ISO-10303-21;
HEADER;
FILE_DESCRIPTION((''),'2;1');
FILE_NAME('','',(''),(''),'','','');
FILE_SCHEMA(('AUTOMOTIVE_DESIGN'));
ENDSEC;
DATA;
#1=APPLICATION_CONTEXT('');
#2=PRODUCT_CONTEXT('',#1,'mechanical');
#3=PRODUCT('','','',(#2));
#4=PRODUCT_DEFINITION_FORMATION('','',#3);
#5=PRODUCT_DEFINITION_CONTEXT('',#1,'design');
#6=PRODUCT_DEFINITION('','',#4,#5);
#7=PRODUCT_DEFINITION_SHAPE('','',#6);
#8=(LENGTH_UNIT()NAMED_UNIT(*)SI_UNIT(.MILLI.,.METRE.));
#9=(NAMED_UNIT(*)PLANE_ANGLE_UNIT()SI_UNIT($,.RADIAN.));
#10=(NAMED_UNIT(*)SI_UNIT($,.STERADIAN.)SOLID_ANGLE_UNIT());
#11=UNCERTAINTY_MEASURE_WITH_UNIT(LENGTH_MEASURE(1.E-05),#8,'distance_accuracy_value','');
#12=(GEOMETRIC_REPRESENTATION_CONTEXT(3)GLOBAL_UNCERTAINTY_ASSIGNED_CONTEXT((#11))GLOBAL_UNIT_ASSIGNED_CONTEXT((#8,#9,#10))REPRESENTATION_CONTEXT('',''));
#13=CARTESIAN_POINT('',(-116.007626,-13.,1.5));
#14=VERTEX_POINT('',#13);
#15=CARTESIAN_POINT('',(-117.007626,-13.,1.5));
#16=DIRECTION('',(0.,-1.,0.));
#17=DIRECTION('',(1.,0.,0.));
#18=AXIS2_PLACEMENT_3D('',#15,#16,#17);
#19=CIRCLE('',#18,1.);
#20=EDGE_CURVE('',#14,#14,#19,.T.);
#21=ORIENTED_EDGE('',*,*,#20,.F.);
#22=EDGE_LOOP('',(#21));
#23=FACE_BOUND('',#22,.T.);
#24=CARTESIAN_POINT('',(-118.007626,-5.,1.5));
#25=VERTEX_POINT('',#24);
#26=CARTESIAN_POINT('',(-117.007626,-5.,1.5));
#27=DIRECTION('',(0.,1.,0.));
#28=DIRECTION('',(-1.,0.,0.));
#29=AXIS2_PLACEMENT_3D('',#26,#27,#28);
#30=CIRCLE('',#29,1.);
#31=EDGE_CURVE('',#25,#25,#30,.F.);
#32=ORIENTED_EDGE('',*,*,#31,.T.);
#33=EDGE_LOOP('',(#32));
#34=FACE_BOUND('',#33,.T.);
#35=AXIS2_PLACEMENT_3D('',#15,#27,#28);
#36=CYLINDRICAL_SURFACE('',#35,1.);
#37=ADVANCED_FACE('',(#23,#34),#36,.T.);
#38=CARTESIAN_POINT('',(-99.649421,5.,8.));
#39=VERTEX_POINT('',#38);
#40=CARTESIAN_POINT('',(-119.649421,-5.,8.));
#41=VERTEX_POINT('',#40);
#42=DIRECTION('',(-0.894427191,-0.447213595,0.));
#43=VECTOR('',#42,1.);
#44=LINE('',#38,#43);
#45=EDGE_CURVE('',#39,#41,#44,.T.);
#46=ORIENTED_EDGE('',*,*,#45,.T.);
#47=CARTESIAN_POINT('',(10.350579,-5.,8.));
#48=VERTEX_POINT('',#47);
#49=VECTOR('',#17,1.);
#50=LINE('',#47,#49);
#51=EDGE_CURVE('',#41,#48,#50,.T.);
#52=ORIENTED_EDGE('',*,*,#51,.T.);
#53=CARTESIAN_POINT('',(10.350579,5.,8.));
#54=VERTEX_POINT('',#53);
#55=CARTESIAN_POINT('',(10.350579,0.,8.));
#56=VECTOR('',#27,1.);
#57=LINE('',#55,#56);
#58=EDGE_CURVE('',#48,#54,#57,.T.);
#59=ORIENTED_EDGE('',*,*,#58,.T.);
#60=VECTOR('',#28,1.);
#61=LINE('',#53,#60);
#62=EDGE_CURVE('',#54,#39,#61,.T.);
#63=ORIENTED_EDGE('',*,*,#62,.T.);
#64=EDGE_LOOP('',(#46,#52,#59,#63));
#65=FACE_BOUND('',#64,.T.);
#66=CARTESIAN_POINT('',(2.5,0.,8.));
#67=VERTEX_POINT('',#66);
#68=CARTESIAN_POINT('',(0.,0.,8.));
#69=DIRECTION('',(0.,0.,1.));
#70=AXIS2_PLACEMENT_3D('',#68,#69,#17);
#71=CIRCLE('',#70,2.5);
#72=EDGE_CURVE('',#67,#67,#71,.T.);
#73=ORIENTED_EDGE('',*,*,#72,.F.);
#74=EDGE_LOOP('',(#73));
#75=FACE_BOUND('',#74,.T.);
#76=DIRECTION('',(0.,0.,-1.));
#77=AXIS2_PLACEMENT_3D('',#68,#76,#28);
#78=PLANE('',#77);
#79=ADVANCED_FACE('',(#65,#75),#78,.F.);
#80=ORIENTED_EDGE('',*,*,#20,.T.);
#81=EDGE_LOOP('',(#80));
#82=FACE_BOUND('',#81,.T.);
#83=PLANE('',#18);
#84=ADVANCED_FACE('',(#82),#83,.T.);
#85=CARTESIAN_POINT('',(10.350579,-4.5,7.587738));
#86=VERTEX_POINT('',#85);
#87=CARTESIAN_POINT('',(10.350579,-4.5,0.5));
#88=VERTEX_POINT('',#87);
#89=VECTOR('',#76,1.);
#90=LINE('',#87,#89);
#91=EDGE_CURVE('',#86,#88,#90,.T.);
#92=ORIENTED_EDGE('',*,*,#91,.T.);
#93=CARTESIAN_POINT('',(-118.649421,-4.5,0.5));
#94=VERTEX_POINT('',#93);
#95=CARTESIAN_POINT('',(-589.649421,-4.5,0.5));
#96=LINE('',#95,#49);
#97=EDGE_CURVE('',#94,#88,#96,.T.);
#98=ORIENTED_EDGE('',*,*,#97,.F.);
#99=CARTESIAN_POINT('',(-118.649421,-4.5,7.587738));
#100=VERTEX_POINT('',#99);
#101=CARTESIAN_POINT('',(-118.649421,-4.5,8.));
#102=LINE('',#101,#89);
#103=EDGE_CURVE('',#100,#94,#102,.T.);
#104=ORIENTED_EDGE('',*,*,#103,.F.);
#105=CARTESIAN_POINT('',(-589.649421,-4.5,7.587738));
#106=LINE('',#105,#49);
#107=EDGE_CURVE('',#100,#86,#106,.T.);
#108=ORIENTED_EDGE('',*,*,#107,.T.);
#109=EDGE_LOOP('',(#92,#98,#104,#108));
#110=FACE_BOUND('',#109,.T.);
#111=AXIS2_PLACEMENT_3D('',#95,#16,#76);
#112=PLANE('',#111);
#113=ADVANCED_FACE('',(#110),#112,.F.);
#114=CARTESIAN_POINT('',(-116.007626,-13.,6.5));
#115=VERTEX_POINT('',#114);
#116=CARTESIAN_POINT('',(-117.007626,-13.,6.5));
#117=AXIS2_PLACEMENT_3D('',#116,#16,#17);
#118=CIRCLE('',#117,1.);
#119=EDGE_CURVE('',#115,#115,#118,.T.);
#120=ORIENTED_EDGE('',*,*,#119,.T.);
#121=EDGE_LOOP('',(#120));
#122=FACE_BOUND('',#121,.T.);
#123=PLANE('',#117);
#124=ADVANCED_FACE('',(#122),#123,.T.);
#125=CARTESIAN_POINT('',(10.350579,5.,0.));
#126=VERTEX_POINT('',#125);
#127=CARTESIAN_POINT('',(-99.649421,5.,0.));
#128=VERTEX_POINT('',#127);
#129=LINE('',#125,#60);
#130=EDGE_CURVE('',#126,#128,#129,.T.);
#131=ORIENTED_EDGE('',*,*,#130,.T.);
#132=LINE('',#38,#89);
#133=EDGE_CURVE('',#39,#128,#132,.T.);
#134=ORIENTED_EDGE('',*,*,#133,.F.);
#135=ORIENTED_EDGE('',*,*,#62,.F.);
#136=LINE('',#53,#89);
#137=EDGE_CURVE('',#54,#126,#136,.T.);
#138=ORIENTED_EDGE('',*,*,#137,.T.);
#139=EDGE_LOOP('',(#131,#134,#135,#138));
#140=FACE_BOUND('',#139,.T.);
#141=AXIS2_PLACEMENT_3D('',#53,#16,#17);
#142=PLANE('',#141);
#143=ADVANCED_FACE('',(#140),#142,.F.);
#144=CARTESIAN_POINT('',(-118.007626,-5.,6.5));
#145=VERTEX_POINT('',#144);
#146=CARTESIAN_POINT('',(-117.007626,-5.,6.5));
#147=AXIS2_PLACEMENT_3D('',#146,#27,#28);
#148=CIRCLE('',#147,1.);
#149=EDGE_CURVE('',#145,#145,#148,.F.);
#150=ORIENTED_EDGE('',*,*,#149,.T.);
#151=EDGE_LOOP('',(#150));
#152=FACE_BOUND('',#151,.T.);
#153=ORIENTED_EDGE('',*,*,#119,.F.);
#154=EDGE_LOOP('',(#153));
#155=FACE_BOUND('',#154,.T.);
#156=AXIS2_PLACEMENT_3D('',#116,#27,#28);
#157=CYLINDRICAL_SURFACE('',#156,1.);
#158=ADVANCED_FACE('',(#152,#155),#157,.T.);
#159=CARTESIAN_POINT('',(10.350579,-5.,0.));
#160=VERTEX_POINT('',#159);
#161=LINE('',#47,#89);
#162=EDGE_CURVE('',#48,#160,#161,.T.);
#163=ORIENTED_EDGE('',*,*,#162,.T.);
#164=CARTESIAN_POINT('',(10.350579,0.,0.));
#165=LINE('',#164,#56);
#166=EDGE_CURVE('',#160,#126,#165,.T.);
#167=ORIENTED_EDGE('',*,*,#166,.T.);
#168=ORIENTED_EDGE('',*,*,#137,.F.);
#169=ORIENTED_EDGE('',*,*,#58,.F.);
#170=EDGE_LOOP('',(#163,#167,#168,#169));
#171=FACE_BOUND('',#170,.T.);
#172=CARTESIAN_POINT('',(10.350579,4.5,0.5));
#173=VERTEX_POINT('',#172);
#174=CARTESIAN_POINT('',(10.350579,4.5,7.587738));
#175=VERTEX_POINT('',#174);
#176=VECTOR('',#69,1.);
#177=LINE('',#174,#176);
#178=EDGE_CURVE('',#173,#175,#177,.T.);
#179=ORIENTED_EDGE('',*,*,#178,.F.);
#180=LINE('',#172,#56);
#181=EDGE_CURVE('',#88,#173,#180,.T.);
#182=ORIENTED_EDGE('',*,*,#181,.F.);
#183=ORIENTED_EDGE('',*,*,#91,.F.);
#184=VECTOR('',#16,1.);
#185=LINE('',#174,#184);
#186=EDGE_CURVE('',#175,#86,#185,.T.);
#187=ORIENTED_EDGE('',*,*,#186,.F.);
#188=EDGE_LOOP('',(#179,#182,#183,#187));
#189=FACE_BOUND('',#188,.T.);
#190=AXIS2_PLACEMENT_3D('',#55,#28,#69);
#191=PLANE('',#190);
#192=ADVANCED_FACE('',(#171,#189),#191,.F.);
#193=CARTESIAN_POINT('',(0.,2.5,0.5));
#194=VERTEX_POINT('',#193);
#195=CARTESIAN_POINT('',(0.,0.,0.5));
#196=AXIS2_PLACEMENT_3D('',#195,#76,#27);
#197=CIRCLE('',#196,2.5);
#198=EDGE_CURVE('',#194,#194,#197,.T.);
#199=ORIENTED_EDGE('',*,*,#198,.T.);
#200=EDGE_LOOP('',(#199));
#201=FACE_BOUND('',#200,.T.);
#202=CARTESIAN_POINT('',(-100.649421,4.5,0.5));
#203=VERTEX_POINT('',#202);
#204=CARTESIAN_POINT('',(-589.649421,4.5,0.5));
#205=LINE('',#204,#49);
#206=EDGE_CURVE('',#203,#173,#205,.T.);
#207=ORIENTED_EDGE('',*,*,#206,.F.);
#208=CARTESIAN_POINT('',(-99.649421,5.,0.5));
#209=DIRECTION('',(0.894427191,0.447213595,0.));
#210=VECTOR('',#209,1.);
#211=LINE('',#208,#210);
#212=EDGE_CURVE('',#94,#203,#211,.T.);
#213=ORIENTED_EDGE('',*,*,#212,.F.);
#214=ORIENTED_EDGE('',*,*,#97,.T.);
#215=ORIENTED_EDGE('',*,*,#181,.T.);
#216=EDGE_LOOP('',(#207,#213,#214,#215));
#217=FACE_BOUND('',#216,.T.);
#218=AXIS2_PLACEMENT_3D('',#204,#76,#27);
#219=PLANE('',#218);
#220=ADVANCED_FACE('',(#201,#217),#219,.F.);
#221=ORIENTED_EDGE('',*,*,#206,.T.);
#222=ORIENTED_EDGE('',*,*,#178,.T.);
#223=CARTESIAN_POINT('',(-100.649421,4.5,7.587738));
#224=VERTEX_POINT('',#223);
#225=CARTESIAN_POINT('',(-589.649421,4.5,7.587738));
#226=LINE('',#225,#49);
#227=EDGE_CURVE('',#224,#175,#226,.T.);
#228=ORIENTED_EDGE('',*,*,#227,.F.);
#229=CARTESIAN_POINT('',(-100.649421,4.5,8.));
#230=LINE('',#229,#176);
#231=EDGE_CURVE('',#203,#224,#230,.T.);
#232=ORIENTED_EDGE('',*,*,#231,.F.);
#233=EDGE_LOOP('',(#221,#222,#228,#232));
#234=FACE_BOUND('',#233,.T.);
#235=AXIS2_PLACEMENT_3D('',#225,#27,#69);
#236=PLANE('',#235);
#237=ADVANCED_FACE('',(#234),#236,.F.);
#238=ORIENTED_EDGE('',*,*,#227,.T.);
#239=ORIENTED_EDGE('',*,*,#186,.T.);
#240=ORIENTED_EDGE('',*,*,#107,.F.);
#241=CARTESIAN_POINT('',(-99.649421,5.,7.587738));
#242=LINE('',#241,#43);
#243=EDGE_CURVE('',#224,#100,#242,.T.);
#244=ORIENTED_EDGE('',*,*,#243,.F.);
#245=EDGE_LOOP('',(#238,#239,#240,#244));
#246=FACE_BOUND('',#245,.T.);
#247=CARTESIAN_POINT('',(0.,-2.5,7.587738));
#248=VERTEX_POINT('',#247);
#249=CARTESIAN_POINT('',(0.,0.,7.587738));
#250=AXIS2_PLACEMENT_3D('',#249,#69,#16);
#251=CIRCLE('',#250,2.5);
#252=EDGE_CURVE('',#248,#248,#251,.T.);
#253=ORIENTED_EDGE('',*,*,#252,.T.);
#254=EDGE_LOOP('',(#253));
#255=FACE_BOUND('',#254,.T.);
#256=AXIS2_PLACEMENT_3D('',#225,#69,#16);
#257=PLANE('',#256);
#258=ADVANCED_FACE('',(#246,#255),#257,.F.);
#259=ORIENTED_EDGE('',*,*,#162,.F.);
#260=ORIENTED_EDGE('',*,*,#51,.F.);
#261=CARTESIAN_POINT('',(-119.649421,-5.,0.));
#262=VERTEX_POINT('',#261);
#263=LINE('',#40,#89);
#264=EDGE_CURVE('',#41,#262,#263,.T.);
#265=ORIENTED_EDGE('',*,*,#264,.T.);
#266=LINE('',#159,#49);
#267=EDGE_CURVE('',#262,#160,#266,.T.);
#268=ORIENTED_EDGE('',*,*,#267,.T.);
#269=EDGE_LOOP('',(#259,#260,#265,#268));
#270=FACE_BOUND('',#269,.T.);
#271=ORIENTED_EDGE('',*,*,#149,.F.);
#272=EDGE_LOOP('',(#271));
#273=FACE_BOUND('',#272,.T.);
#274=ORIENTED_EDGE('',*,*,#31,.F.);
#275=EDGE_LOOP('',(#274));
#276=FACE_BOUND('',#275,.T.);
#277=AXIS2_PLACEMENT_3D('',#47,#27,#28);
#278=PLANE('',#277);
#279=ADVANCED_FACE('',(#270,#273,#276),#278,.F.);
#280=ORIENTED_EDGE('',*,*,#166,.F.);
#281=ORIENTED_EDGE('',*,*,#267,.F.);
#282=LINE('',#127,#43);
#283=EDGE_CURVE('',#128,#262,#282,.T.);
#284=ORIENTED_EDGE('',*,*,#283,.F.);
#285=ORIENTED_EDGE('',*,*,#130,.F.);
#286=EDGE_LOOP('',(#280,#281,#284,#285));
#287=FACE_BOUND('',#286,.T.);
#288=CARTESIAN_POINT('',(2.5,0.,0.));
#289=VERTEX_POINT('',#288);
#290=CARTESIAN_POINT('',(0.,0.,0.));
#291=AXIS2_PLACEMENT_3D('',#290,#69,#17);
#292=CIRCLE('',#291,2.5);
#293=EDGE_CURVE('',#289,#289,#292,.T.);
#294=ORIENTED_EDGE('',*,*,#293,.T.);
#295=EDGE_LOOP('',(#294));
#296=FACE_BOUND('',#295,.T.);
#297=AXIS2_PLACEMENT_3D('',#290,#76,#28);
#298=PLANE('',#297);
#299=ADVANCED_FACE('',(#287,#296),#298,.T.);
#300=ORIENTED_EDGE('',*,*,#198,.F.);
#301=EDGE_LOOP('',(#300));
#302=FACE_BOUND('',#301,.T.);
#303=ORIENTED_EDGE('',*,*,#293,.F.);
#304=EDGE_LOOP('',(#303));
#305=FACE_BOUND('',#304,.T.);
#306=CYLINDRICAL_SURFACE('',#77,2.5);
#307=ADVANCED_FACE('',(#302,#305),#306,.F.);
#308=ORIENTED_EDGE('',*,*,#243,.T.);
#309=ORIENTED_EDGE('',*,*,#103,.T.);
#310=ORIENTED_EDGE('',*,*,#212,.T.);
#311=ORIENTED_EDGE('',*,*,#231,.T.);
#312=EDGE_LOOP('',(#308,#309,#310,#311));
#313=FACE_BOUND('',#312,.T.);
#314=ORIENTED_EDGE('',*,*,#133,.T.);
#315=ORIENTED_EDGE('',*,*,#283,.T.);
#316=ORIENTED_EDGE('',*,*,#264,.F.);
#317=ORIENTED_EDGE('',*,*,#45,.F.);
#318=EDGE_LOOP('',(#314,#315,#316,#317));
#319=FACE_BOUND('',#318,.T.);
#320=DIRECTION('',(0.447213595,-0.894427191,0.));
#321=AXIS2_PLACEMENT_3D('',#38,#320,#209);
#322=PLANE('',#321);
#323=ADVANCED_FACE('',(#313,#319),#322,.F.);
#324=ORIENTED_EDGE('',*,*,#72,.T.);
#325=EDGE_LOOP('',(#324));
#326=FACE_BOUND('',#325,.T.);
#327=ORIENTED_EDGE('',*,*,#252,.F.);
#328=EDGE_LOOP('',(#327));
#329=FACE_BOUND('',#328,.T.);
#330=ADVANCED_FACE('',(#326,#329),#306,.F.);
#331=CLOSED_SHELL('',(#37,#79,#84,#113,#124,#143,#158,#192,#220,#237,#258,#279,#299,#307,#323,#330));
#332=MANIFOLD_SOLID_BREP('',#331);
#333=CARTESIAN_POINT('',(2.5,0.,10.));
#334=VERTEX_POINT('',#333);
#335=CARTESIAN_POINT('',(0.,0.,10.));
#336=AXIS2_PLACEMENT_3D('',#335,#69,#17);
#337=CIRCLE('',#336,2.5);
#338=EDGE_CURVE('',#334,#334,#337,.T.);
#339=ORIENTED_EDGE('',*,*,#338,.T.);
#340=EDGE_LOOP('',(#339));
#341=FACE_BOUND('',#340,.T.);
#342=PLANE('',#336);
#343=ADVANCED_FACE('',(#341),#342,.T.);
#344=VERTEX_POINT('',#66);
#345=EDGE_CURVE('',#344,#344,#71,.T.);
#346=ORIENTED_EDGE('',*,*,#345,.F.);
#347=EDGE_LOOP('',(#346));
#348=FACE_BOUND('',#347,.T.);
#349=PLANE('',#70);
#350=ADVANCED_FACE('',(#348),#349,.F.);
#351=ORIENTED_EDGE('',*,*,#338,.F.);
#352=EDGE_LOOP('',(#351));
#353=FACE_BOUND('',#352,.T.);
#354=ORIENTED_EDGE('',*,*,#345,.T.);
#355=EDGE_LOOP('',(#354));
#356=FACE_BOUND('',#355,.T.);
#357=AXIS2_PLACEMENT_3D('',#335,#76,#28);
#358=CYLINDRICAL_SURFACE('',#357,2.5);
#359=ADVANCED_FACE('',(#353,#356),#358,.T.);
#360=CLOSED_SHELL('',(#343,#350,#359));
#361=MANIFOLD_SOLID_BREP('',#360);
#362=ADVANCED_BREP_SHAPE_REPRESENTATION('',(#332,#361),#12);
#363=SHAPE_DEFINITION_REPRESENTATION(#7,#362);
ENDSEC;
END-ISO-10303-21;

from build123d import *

# Parameters (mm, degrees)
ESQUISSE1_R             = 2.5
BOSS_EXTRU_1_DEPTH      = 8
ESQUISSE2_W             = 7.087737969
ESQUISSE2_H             = 9
ENL_V_MAT_EXTRU_1_DEPTH = 600
ESQUISSE3_R             = 2.5
BOSS_EXTRU_2_DEPTH      = 2
ESQUISSE4_R             = 1
BOSS_EXTRU_3_DEPTH      = 8


with BuildPart() as part:
    # Esquisse1 → Boss.-Extru.1 (new body)
    with BuildSketch(Plane.XY):
        Polygon((10.350579175, 0), (10.350579175, 5), (-99.649420825, 5), (-119.649420825, -5), (10.350579175, -5), align=None)
        Circle(ESQUISSE1_R, mode=Mode.SUBTRACT)
    extrude(amount=BOSS_EXTRU_1_DEPTH)

    # Esquisse2 → Enlèv. mat.-Extru.1 (cut)
    with BuildSketch(Plane(origin=(10.350579175, 0, 0), x_dir=(0, 0, -1), z_dir=(1, 0, 0))):
        with Locations((-4.043868985, 0)):
            Rectangle(ESQUISSE2_W, ESQUISSE2_H)
    extrude(amount=-ENL_V_MAT_EXTRU_1_DEPTH, mode=Mode.SUBTRACT)

    # Esquisse4 → Boss.-Extru.3 (add)
    with BuildSketch(Plane.XZ.offset(5)):
        with Locations(Location((-117.007626081, 6.5, 0), (0, 0, 180))):
            Circle(ESQUISSE4_R)
        with Locations(Location((-117.007626081, 1.5, 0), (0, 0, 180))):
            Circle(ESQUISSE4_R)
    extrude(amount=BOSS_EXTRU_3_DEPTH)


with BuildPart() as body_2:
    # Esquisse3 → Boss.-Extru.2 (new body)
    with BuildSketch(Plane.XY.offset(8)):
        Circle(ESQUISSE3_R)
    extrude(amount=BOSS_EXTRU_2_DEPTH)


solid = Compound([part.part, body_2.part])
